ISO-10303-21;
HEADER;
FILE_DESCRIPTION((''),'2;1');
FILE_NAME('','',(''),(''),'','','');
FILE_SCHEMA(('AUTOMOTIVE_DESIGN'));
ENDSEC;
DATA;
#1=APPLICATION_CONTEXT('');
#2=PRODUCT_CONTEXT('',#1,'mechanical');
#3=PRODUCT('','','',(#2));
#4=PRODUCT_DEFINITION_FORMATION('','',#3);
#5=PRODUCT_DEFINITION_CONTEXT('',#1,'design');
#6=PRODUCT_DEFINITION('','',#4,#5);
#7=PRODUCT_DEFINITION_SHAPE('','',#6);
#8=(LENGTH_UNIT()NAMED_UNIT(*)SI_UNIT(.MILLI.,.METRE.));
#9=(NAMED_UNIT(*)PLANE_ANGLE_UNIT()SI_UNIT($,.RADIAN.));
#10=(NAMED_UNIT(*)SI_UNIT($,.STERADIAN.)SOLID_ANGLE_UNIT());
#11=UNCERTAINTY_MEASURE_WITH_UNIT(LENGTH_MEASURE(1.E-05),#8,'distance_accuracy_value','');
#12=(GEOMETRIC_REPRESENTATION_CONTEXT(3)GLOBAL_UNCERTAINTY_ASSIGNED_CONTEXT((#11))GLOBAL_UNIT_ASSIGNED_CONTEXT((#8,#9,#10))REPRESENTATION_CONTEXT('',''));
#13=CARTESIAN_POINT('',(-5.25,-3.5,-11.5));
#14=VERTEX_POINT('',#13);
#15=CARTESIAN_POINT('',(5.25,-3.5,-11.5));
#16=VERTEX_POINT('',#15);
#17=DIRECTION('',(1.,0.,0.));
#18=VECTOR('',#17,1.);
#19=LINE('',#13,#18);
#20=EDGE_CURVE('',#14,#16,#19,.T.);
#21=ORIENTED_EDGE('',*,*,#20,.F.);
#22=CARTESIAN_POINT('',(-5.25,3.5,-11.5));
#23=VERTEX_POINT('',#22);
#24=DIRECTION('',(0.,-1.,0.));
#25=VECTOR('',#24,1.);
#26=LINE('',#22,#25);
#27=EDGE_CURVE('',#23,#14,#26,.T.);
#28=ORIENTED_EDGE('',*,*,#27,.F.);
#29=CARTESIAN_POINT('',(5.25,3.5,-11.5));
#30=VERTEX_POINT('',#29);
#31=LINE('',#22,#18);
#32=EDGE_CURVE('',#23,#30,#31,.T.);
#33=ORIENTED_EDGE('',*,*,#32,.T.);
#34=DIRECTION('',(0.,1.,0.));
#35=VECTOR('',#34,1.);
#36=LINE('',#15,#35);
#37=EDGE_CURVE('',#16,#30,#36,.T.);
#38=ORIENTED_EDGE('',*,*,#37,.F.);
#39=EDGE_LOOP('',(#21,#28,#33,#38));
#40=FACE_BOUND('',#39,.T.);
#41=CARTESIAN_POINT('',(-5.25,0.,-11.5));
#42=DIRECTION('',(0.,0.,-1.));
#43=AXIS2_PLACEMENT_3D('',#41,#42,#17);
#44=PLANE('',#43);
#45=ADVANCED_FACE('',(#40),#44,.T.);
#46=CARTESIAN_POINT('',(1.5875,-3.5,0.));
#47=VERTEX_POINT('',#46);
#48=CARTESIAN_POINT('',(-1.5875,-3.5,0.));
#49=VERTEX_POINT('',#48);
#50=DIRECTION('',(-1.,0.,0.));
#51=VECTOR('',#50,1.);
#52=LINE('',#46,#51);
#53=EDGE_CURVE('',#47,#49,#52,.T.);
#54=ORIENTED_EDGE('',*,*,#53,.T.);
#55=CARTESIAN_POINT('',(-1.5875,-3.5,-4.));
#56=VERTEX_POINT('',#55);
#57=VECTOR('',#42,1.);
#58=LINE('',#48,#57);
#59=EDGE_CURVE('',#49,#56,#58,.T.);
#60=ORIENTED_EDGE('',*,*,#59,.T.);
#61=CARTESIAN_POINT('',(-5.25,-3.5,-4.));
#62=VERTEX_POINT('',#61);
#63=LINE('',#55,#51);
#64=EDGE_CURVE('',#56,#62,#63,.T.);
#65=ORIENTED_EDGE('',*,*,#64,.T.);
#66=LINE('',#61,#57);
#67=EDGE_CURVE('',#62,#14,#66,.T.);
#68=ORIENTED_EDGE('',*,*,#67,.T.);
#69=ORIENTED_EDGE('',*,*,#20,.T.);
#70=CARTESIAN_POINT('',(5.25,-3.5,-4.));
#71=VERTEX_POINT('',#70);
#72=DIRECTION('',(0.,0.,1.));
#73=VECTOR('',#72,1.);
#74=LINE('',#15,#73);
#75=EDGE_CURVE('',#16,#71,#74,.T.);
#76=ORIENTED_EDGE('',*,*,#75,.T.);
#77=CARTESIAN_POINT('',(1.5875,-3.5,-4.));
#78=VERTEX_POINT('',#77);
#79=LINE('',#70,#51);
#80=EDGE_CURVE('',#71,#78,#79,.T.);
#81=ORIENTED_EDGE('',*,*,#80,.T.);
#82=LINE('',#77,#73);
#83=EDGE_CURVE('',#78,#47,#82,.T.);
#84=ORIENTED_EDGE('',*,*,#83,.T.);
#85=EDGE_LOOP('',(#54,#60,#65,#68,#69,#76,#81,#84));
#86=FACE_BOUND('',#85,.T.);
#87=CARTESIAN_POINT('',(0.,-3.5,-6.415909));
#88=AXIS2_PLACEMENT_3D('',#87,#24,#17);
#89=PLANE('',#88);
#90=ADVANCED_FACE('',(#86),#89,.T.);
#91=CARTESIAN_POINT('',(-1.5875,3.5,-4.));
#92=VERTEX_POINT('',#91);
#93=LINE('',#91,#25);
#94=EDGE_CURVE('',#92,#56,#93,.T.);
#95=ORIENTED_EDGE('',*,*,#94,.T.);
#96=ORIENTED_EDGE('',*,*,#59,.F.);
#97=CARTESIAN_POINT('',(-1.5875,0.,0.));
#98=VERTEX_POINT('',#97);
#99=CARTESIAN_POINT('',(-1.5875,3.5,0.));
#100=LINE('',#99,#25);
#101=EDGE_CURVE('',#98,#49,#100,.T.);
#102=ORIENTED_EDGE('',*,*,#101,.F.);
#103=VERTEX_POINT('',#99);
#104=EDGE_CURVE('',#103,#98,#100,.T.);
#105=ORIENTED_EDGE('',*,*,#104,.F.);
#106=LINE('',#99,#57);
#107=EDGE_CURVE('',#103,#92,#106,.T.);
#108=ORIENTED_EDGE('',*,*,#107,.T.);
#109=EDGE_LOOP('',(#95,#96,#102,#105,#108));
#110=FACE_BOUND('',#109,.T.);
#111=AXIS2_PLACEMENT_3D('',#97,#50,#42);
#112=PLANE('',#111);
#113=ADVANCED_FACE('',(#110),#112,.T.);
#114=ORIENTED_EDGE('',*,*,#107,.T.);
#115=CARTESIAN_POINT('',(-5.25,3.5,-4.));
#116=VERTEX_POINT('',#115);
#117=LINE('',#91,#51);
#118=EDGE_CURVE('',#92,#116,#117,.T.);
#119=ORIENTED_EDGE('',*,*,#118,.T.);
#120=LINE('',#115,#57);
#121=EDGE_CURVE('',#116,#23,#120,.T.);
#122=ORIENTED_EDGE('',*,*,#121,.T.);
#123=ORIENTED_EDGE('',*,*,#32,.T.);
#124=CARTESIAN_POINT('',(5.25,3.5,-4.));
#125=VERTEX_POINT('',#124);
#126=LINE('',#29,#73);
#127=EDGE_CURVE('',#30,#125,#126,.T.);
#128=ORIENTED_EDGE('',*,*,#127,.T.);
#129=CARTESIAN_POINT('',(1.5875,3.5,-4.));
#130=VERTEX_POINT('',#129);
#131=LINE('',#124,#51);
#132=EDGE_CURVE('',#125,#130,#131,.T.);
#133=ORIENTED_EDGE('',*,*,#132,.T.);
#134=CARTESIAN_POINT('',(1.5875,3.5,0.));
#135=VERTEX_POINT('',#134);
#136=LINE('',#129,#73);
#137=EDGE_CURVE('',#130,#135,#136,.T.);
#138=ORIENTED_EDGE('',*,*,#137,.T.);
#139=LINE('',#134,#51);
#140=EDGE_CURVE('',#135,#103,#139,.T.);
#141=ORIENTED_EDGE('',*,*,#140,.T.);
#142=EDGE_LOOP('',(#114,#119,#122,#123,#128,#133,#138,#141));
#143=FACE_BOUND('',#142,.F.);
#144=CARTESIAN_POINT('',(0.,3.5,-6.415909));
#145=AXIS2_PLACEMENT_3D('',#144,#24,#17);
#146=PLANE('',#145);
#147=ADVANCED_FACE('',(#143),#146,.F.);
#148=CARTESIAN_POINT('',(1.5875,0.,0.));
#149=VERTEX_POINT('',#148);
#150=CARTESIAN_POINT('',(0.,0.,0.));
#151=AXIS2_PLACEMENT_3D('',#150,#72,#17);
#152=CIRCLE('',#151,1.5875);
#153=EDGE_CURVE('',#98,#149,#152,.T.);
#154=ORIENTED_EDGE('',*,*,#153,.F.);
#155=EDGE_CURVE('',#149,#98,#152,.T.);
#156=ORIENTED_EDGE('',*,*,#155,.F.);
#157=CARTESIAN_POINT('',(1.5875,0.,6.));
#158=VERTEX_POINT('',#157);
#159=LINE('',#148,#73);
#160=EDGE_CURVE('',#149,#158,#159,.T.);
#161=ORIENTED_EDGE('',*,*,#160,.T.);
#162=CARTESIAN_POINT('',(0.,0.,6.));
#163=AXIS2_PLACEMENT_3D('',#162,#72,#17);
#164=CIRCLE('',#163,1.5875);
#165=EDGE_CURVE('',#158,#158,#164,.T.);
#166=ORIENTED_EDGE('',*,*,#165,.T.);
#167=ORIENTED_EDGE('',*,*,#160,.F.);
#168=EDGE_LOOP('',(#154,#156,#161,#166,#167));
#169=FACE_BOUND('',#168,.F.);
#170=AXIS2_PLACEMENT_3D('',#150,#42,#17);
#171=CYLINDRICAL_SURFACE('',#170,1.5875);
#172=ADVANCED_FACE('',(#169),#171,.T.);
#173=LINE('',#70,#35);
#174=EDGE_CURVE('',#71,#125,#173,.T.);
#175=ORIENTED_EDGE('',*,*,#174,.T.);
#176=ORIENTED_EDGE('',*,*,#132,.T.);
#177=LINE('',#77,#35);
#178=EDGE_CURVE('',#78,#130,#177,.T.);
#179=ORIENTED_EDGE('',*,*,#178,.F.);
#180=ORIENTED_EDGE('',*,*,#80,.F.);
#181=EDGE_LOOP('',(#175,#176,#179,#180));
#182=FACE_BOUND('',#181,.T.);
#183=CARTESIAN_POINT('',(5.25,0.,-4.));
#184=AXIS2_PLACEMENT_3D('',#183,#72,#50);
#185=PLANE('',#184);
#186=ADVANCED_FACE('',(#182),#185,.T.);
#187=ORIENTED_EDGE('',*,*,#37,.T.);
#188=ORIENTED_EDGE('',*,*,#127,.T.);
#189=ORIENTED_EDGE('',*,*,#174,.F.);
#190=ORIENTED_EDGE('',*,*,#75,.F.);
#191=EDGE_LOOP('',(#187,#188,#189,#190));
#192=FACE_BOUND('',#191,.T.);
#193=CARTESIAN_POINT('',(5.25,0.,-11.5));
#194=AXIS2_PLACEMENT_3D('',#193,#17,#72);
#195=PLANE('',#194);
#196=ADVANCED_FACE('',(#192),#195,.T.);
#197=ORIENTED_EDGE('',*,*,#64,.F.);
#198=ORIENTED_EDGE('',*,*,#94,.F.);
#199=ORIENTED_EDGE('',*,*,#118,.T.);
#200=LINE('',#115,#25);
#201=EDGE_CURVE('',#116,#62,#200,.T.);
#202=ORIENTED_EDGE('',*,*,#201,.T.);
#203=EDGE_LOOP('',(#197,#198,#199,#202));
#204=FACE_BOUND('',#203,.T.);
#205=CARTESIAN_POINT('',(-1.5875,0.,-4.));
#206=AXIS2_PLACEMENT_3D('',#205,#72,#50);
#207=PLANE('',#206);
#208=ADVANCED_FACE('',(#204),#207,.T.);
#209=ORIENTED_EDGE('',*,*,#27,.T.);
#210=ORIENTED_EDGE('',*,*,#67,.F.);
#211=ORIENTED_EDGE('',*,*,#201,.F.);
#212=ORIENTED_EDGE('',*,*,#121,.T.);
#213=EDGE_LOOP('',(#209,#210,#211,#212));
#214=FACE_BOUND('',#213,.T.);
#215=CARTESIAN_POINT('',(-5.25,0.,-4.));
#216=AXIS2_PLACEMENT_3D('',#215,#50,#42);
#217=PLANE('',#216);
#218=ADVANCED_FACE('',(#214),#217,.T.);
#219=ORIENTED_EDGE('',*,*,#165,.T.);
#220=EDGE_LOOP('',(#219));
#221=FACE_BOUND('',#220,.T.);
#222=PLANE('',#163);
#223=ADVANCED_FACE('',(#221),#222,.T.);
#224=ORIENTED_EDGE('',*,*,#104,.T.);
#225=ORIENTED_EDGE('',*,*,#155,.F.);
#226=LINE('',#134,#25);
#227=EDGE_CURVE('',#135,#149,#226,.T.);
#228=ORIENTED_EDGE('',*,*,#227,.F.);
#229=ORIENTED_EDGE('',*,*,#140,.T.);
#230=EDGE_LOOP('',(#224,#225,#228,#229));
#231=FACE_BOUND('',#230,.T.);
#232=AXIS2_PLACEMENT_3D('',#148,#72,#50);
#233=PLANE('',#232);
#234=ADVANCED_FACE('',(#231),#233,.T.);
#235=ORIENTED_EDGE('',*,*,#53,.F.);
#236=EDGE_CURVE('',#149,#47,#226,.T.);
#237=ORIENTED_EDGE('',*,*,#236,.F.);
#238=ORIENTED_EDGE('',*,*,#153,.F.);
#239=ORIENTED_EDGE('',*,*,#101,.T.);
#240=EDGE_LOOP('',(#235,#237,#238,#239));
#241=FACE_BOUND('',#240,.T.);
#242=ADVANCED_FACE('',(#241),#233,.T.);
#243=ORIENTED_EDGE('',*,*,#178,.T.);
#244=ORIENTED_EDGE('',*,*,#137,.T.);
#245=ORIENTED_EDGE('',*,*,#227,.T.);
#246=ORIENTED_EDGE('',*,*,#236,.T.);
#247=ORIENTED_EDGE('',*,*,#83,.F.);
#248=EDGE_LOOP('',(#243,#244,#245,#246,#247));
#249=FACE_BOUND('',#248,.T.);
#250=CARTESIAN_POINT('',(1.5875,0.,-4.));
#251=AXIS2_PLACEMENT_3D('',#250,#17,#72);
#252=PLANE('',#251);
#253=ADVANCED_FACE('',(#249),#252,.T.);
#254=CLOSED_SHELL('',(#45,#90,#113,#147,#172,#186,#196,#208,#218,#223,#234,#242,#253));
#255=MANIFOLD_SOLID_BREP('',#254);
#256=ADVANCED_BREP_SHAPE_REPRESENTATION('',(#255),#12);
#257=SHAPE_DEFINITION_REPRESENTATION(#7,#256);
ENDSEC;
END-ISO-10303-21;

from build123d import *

# Parameters (mm, degrees)
F2_DEPTH = 3.5
F3_R     = 1.5875
F4_DEPTH = 6


with BuildPart() as f2:
    # F1 (on Front) → F2 (new body, symmetric)
    with BuildSketch(Plane.XZ):
        Polygon((1.5875, -4), (1.5875, 0), (-1.5875, 0), (-1.5875, -4), (-5.25, -4), (-5.25, -11.5), (5.25, -11.5), (5.25, -4), align=None)
    extrude(amount=F2_DEPTH, both=True)

    # F3 (on Top) → F4 (join)
    with BuildSketch(Plane.XY):
        Circle(F3_R)
    extrude(amount=F4_DEPTH)


solid = f2.part
